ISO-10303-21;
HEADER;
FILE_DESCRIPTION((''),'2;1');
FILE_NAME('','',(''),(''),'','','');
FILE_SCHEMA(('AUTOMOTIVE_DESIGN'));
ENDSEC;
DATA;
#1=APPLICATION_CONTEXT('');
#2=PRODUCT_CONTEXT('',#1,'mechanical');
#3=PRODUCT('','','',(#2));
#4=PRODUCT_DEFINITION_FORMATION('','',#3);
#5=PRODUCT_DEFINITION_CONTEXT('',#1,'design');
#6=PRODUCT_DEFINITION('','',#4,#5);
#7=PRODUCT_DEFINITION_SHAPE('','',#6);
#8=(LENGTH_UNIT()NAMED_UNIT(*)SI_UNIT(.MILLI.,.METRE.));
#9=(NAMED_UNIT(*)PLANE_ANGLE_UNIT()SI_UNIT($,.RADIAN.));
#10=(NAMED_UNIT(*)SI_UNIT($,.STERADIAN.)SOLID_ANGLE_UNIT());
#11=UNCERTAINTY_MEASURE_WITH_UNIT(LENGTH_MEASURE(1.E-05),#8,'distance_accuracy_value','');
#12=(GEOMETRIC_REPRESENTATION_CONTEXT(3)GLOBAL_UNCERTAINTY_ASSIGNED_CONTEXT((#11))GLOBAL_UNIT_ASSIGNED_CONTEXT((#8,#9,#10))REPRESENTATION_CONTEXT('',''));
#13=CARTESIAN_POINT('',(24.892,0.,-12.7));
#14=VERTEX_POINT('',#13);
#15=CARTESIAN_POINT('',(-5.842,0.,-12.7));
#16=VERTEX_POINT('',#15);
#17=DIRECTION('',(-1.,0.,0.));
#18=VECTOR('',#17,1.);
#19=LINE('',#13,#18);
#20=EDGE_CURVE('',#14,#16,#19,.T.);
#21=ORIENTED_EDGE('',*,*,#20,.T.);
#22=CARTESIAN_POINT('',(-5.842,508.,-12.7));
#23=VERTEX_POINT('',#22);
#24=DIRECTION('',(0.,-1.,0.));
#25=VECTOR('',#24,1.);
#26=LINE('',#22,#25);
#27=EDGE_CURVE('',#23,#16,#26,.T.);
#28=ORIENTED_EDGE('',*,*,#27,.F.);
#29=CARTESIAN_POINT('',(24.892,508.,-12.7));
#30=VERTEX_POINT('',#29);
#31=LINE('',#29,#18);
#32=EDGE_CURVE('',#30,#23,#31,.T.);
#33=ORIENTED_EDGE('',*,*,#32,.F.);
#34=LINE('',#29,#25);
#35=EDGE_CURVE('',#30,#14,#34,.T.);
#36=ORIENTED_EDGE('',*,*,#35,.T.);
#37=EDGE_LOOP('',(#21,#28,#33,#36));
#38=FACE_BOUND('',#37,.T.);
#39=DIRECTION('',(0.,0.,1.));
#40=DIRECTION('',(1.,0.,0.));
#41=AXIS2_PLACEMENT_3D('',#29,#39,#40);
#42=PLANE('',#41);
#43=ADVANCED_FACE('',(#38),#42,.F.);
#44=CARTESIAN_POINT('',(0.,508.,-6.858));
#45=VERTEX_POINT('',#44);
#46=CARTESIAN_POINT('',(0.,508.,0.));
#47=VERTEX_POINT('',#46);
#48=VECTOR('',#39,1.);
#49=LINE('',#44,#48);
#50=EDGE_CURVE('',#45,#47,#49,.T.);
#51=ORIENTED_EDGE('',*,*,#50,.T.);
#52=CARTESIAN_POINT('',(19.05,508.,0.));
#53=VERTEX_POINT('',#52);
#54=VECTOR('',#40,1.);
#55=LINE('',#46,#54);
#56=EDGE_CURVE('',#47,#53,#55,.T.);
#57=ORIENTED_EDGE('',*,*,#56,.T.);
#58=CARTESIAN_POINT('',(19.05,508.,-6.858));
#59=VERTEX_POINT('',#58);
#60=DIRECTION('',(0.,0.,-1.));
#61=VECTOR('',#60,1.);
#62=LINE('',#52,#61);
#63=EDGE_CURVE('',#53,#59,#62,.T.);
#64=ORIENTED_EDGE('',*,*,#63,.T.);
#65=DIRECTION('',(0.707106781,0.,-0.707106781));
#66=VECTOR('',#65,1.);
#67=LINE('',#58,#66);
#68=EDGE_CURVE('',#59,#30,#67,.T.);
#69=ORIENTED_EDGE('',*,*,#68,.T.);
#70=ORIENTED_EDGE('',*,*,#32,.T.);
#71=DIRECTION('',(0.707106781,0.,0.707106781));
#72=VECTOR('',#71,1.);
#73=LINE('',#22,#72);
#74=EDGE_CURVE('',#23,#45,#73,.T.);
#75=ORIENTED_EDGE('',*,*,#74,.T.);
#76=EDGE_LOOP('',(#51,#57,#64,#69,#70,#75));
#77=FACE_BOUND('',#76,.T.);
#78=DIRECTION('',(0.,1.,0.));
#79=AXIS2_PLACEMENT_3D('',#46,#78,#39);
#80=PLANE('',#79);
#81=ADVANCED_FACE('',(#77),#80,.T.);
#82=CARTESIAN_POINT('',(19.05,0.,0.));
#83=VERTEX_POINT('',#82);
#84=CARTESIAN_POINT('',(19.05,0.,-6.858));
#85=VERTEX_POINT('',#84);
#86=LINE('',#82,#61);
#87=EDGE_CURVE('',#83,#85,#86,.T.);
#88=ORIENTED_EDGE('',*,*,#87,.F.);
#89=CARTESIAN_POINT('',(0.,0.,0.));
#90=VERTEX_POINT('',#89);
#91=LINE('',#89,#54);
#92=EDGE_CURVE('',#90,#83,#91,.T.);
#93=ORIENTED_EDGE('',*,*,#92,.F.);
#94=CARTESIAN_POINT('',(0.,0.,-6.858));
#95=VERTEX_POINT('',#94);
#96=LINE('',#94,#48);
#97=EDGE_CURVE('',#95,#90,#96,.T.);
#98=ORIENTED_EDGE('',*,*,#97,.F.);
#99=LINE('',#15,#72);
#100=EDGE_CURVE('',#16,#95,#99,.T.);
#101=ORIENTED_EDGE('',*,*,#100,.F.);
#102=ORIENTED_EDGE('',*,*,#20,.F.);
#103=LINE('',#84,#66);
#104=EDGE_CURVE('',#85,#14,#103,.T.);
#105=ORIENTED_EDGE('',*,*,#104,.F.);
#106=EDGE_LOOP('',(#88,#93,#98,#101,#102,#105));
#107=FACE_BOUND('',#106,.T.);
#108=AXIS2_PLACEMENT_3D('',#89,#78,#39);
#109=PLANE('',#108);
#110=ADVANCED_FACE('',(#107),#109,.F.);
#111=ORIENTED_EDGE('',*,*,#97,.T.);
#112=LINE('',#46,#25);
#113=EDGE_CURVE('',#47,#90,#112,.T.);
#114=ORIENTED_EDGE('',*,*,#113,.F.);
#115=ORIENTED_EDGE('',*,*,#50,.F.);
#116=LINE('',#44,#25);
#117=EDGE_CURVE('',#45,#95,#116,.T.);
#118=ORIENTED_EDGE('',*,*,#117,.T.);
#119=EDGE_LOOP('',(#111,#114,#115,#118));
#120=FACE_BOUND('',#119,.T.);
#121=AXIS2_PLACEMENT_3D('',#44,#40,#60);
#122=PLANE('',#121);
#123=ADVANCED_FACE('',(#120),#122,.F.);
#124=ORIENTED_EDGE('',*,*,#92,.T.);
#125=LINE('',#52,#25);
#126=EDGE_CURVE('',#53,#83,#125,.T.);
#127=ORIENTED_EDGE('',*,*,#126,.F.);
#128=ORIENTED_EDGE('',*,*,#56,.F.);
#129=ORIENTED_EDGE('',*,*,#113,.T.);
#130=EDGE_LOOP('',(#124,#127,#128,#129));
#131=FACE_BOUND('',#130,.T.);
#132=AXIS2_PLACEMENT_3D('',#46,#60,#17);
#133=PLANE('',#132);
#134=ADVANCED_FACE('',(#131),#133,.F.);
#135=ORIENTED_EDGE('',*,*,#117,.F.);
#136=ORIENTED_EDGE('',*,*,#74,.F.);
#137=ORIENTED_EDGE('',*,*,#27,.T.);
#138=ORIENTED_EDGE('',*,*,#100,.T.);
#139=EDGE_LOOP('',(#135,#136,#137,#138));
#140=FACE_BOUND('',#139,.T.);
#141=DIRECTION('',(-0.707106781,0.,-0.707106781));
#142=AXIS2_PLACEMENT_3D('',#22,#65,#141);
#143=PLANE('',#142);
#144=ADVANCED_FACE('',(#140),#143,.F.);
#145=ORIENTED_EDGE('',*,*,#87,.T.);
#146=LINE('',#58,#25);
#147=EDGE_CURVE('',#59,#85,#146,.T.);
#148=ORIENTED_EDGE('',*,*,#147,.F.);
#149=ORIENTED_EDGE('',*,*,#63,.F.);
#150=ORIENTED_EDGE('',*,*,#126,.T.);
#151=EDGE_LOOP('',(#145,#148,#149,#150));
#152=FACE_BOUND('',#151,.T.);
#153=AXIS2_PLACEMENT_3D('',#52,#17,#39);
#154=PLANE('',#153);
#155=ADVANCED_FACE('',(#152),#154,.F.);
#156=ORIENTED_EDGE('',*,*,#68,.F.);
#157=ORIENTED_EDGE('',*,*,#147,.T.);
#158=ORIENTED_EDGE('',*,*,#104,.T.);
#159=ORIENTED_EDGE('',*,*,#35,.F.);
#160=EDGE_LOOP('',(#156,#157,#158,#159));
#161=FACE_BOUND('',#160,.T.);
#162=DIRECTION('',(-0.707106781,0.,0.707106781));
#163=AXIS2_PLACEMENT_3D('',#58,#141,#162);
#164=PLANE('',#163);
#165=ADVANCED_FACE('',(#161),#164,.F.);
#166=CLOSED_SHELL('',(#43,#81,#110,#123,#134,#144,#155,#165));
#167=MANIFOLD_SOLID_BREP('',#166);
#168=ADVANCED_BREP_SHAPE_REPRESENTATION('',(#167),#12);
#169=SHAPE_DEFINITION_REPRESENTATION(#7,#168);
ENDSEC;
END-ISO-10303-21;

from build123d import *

# Parameters (mm, degrees)
BOSS_EXTRUDE1_DEPTH = 508


with BuildPart() as part:
    # Sketch1 → Boss-Extrude1 (new body)
    with BuildSketch(Plane(origin=(0, 0, 0), x_dir=(1, 0, 0), z_dir=(0, 1, 0))):
        Polygon((0, 0), (19.05, 0), (19.05, 6.858), (24.892, 12.7), (-5.842, 12.7), (0, 6.858), align=None)
    extrude(amount=BOSS_EXTRUDE1_DEPTH)


solid = part.part
